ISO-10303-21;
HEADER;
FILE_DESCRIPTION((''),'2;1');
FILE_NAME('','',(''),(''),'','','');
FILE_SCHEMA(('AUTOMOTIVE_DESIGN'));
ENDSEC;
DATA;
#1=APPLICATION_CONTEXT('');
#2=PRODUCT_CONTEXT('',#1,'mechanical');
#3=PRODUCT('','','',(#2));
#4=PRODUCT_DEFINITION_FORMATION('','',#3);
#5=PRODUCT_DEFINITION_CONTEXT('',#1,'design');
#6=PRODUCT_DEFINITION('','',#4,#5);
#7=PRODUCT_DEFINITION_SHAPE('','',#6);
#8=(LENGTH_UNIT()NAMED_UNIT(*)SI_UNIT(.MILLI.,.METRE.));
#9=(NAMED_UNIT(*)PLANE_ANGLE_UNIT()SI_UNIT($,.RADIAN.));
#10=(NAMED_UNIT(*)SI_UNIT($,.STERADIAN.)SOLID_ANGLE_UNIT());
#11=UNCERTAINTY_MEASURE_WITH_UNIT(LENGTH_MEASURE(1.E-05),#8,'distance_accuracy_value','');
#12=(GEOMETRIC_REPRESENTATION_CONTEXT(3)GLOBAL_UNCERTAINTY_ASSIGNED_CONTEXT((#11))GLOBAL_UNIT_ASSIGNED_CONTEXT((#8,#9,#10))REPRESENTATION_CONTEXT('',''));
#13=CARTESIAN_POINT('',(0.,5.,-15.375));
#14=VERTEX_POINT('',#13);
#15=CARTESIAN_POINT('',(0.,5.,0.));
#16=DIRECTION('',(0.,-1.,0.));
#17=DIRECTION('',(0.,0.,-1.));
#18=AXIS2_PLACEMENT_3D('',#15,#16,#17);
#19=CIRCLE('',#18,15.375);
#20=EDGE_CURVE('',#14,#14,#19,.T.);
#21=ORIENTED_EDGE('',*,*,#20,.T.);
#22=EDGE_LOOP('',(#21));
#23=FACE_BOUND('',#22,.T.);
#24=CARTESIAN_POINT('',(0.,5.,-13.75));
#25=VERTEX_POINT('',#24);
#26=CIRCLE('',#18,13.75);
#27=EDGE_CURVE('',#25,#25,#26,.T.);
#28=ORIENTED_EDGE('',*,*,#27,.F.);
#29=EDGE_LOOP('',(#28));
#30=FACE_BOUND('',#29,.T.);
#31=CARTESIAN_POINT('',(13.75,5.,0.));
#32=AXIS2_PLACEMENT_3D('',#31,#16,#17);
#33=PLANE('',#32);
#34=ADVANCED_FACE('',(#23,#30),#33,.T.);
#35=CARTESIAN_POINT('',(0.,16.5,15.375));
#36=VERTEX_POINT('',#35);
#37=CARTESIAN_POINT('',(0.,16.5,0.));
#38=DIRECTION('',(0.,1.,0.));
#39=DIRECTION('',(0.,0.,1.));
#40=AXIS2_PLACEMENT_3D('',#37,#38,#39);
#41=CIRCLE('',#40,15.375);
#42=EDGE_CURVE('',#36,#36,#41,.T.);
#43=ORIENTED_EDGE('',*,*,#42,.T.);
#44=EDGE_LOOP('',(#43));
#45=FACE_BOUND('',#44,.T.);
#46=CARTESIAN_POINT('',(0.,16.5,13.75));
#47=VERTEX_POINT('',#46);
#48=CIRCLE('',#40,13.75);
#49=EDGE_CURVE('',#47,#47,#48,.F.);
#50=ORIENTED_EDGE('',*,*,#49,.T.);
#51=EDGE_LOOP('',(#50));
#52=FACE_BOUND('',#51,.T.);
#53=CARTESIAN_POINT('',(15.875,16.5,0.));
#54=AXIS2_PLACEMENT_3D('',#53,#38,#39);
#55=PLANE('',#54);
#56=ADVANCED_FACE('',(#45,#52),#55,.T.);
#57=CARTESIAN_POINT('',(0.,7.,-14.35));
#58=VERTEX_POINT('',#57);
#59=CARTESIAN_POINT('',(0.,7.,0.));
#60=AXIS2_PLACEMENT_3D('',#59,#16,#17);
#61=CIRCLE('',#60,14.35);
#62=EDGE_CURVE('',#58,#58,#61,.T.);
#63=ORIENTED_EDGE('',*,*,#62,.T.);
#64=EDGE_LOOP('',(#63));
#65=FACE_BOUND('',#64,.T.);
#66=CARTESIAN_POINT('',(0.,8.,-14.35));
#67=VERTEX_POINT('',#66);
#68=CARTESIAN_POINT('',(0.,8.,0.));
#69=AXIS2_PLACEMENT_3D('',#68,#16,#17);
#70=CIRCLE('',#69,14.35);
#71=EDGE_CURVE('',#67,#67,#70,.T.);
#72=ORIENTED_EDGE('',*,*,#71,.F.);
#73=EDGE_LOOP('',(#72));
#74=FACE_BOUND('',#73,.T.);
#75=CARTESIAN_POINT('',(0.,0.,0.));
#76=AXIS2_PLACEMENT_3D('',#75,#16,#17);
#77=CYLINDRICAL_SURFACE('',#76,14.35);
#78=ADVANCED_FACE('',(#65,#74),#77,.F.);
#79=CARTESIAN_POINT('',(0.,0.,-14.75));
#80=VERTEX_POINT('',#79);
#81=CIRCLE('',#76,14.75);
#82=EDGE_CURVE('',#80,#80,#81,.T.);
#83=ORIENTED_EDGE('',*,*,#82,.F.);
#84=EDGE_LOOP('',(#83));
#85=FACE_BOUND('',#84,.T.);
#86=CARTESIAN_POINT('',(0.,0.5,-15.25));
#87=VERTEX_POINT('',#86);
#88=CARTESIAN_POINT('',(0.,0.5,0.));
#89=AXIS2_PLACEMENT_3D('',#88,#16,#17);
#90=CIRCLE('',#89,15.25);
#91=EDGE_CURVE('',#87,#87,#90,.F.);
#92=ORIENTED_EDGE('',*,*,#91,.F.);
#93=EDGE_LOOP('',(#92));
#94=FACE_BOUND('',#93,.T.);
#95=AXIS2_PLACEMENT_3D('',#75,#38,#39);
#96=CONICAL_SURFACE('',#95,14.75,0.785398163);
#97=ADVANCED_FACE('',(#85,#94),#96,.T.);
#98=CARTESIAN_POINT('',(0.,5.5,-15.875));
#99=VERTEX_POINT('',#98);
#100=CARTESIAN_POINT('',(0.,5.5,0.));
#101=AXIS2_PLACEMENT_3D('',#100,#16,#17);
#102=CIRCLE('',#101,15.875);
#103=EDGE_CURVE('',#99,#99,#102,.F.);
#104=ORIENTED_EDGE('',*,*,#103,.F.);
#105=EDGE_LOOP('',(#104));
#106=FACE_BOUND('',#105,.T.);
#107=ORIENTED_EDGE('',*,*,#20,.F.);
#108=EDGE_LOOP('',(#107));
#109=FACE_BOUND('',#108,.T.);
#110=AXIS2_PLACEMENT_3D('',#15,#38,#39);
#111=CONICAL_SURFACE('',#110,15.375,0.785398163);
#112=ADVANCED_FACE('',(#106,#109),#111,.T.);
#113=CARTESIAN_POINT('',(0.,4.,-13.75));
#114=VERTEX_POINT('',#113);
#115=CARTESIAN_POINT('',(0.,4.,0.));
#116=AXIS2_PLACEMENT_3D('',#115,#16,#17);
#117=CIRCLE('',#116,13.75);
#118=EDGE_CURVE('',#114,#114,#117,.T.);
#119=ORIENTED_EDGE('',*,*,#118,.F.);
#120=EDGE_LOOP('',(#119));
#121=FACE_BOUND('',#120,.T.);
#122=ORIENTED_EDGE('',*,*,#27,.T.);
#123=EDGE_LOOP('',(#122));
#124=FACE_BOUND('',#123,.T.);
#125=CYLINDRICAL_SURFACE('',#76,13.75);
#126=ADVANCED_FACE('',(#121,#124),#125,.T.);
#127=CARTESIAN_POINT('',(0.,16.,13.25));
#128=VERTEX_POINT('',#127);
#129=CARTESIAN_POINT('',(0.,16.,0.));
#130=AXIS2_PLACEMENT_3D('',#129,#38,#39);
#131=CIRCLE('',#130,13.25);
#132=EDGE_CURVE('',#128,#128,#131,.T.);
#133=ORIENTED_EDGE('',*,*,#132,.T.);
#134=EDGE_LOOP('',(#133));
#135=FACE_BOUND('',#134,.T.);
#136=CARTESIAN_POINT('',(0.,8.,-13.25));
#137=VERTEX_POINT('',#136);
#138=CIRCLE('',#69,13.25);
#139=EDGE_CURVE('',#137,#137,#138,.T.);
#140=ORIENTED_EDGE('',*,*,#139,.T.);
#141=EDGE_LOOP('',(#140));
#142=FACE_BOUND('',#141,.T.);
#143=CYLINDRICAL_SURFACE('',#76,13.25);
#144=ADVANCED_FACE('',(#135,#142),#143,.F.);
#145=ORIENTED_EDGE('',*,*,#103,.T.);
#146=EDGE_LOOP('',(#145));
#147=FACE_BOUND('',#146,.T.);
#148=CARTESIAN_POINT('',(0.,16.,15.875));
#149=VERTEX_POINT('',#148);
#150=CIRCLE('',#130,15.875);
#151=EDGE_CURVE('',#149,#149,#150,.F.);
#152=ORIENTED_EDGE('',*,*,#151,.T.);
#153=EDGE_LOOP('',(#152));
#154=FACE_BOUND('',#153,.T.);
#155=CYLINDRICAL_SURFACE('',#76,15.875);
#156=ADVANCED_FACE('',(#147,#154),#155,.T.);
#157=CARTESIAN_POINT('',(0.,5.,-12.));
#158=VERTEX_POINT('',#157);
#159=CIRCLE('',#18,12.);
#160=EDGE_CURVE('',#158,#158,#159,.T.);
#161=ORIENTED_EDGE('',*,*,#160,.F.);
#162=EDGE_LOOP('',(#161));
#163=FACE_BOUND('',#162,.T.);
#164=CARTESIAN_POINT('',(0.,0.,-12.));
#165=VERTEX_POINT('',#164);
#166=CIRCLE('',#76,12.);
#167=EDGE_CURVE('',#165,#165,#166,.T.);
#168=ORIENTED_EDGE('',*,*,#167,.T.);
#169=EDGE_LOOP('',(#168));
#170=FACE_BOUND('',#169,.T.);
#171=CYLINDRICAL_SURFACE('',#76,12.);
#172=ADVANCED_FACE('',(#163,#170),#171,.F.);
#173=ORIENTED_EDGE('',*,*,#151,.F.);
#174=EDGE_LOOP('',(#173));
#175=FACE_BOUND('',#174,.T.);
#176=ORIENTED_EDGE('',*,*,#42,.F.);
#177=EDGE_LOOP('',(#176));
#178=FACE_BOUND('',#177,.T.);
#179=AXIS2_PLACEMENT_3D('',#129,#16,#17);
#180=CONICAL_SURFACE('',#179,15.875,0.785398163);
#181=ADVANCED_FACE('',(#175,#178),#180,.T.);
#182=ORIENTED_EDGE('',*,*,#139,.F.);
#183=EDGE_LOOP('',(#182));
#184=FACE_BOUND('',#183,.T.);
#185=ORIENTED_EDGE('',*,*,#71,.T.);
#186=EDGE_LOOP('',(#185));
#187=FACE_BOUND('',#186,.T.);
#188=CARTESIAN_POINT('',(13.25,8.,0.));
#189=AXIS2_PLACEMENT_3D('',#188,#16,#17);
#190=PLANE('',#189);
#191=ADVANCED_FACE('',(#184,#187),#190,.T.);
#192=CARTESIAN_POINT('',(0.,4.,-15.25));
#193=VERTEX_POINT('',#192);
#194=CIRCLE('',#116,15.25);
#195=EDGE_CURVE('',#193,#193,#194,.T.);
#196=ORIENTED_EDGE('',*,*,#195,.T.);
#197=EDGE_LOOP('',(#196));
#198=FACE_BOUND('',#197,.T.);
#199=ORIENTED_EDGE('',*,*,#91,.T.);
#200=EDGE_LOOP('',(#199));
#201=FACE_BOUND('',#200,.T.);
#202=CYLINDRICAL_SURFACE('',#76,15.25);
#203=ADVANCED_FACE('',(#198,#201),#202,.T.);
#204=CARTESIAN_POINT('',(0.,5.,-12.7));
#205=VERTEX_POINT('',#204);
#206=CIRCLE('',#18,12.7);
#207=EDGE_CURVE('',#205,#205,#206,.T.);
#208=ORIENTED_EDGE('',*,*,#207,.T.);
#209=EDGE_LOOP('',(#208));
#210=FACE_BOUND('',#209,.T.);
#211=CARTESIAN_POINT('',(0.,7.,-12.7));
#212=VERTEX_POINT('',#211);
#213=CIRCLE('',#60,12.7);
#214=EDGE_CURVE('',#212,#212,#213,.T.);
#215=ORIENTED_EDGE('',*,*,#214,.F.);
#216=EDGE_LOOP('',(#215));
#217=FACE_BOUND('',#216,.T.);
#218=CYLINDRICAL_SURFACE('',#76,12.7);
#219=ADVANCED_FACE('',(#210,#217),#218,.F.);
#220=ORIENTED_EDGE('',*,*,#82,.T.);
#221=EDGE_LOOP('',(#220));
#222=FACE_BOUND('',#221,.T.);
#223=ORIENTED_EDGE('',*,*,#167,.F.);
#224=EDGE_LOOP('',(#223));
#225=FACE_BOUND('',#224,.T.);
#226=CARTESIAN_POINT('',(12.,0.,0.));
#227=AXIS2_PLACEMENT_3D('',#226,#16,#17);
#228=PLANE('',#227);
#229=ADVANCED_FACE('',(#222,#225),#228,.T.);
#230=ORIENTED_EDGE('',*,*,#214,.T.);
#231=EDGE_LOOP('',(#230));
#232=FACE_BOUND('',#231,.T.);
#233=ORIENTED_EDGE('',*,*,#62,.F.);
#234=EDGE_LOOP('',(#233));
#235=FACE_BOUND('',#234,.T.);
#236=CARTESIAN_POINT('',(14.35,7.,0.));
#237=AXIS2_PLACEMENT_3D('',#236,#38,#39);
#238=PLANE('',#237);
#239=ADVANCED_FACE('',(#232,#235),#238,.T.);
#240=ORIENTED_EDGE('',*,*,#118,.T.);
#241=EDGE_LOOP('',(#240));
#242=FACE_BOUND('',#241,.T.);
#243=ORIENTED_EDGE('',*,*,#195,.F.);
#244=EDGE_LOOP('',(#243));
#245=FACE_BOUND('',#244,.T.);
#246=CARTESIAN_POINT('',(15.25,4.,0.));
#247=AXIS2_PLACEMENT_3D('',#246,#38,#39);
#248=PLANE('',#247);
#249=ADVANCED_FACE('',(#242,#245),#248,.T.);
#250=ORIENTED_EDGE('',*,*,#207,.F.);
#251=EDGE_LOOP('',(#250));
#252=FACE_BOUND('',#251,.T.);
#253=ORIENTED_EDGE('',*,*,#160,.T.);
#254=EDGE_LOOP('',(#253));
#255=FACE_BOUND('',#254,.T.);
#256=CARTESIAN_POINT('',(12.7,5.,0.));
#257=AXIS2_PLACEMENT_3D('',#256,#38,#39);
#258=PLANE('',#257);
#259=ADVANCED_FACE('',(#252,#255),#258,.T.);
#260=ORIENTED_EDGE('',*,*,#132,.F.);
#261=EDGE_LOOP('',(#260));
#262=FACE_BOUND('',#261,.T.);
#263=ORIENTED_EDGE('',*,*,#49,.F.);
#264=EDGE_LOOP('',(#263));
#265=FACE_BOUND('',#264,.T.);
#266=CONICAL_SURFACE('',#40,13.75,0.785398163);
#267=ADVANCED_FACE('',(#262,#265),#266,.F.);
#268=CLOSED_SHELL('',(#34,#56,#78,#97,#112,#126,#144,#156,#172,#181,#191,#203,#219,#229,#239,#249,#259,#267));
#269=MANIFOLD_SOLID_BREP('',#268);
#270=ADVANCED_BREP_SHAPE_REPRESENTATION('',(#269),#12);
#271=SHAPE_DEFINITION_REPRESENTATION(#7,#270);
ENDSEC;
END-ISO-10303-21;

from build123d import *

# Parameters (mm, degrees)
CHAMFER_1_SIZE = 0.5


with BuildPart() as part:
    # 草图1 → 旋转1 (revolve)
    with BuildSketch(Plane.XY, mode=Mode.PRIVATE) as revolve_1_sk:
        Polygon((12, 0), (15.25, 0), (15.25, 4), (13.75, 4), (13.75, 5), (15.875, 5), (15.875, 16.5), (13.25, 16.5), (13.25, 8), (14.35, 8), (14.35, 7), (12.7, 7), (12.7, 5), (12, 5), align=None)
    revolve(revolve_1_sk.sketch.rotate(Axis((0, 0, 0), (0, 1, 0)), 90), axis=Axis((0, 0, 0), (0, 1, 0)))  # turned: the seam where the file's is

    # 倒角1
    chamfer_1_edges = [part.edges().sort_by_distance(p)[0] for p in [
        (0, 16.5, 13.25),
        (0, 16.5, 15.875),
        (0, 5, 15.875),
        (0, 0, 15.25),
    ]]
    chamfer(chamfer_1_edges, length=CHAMFER_1_SIZE)


solid = part.part
